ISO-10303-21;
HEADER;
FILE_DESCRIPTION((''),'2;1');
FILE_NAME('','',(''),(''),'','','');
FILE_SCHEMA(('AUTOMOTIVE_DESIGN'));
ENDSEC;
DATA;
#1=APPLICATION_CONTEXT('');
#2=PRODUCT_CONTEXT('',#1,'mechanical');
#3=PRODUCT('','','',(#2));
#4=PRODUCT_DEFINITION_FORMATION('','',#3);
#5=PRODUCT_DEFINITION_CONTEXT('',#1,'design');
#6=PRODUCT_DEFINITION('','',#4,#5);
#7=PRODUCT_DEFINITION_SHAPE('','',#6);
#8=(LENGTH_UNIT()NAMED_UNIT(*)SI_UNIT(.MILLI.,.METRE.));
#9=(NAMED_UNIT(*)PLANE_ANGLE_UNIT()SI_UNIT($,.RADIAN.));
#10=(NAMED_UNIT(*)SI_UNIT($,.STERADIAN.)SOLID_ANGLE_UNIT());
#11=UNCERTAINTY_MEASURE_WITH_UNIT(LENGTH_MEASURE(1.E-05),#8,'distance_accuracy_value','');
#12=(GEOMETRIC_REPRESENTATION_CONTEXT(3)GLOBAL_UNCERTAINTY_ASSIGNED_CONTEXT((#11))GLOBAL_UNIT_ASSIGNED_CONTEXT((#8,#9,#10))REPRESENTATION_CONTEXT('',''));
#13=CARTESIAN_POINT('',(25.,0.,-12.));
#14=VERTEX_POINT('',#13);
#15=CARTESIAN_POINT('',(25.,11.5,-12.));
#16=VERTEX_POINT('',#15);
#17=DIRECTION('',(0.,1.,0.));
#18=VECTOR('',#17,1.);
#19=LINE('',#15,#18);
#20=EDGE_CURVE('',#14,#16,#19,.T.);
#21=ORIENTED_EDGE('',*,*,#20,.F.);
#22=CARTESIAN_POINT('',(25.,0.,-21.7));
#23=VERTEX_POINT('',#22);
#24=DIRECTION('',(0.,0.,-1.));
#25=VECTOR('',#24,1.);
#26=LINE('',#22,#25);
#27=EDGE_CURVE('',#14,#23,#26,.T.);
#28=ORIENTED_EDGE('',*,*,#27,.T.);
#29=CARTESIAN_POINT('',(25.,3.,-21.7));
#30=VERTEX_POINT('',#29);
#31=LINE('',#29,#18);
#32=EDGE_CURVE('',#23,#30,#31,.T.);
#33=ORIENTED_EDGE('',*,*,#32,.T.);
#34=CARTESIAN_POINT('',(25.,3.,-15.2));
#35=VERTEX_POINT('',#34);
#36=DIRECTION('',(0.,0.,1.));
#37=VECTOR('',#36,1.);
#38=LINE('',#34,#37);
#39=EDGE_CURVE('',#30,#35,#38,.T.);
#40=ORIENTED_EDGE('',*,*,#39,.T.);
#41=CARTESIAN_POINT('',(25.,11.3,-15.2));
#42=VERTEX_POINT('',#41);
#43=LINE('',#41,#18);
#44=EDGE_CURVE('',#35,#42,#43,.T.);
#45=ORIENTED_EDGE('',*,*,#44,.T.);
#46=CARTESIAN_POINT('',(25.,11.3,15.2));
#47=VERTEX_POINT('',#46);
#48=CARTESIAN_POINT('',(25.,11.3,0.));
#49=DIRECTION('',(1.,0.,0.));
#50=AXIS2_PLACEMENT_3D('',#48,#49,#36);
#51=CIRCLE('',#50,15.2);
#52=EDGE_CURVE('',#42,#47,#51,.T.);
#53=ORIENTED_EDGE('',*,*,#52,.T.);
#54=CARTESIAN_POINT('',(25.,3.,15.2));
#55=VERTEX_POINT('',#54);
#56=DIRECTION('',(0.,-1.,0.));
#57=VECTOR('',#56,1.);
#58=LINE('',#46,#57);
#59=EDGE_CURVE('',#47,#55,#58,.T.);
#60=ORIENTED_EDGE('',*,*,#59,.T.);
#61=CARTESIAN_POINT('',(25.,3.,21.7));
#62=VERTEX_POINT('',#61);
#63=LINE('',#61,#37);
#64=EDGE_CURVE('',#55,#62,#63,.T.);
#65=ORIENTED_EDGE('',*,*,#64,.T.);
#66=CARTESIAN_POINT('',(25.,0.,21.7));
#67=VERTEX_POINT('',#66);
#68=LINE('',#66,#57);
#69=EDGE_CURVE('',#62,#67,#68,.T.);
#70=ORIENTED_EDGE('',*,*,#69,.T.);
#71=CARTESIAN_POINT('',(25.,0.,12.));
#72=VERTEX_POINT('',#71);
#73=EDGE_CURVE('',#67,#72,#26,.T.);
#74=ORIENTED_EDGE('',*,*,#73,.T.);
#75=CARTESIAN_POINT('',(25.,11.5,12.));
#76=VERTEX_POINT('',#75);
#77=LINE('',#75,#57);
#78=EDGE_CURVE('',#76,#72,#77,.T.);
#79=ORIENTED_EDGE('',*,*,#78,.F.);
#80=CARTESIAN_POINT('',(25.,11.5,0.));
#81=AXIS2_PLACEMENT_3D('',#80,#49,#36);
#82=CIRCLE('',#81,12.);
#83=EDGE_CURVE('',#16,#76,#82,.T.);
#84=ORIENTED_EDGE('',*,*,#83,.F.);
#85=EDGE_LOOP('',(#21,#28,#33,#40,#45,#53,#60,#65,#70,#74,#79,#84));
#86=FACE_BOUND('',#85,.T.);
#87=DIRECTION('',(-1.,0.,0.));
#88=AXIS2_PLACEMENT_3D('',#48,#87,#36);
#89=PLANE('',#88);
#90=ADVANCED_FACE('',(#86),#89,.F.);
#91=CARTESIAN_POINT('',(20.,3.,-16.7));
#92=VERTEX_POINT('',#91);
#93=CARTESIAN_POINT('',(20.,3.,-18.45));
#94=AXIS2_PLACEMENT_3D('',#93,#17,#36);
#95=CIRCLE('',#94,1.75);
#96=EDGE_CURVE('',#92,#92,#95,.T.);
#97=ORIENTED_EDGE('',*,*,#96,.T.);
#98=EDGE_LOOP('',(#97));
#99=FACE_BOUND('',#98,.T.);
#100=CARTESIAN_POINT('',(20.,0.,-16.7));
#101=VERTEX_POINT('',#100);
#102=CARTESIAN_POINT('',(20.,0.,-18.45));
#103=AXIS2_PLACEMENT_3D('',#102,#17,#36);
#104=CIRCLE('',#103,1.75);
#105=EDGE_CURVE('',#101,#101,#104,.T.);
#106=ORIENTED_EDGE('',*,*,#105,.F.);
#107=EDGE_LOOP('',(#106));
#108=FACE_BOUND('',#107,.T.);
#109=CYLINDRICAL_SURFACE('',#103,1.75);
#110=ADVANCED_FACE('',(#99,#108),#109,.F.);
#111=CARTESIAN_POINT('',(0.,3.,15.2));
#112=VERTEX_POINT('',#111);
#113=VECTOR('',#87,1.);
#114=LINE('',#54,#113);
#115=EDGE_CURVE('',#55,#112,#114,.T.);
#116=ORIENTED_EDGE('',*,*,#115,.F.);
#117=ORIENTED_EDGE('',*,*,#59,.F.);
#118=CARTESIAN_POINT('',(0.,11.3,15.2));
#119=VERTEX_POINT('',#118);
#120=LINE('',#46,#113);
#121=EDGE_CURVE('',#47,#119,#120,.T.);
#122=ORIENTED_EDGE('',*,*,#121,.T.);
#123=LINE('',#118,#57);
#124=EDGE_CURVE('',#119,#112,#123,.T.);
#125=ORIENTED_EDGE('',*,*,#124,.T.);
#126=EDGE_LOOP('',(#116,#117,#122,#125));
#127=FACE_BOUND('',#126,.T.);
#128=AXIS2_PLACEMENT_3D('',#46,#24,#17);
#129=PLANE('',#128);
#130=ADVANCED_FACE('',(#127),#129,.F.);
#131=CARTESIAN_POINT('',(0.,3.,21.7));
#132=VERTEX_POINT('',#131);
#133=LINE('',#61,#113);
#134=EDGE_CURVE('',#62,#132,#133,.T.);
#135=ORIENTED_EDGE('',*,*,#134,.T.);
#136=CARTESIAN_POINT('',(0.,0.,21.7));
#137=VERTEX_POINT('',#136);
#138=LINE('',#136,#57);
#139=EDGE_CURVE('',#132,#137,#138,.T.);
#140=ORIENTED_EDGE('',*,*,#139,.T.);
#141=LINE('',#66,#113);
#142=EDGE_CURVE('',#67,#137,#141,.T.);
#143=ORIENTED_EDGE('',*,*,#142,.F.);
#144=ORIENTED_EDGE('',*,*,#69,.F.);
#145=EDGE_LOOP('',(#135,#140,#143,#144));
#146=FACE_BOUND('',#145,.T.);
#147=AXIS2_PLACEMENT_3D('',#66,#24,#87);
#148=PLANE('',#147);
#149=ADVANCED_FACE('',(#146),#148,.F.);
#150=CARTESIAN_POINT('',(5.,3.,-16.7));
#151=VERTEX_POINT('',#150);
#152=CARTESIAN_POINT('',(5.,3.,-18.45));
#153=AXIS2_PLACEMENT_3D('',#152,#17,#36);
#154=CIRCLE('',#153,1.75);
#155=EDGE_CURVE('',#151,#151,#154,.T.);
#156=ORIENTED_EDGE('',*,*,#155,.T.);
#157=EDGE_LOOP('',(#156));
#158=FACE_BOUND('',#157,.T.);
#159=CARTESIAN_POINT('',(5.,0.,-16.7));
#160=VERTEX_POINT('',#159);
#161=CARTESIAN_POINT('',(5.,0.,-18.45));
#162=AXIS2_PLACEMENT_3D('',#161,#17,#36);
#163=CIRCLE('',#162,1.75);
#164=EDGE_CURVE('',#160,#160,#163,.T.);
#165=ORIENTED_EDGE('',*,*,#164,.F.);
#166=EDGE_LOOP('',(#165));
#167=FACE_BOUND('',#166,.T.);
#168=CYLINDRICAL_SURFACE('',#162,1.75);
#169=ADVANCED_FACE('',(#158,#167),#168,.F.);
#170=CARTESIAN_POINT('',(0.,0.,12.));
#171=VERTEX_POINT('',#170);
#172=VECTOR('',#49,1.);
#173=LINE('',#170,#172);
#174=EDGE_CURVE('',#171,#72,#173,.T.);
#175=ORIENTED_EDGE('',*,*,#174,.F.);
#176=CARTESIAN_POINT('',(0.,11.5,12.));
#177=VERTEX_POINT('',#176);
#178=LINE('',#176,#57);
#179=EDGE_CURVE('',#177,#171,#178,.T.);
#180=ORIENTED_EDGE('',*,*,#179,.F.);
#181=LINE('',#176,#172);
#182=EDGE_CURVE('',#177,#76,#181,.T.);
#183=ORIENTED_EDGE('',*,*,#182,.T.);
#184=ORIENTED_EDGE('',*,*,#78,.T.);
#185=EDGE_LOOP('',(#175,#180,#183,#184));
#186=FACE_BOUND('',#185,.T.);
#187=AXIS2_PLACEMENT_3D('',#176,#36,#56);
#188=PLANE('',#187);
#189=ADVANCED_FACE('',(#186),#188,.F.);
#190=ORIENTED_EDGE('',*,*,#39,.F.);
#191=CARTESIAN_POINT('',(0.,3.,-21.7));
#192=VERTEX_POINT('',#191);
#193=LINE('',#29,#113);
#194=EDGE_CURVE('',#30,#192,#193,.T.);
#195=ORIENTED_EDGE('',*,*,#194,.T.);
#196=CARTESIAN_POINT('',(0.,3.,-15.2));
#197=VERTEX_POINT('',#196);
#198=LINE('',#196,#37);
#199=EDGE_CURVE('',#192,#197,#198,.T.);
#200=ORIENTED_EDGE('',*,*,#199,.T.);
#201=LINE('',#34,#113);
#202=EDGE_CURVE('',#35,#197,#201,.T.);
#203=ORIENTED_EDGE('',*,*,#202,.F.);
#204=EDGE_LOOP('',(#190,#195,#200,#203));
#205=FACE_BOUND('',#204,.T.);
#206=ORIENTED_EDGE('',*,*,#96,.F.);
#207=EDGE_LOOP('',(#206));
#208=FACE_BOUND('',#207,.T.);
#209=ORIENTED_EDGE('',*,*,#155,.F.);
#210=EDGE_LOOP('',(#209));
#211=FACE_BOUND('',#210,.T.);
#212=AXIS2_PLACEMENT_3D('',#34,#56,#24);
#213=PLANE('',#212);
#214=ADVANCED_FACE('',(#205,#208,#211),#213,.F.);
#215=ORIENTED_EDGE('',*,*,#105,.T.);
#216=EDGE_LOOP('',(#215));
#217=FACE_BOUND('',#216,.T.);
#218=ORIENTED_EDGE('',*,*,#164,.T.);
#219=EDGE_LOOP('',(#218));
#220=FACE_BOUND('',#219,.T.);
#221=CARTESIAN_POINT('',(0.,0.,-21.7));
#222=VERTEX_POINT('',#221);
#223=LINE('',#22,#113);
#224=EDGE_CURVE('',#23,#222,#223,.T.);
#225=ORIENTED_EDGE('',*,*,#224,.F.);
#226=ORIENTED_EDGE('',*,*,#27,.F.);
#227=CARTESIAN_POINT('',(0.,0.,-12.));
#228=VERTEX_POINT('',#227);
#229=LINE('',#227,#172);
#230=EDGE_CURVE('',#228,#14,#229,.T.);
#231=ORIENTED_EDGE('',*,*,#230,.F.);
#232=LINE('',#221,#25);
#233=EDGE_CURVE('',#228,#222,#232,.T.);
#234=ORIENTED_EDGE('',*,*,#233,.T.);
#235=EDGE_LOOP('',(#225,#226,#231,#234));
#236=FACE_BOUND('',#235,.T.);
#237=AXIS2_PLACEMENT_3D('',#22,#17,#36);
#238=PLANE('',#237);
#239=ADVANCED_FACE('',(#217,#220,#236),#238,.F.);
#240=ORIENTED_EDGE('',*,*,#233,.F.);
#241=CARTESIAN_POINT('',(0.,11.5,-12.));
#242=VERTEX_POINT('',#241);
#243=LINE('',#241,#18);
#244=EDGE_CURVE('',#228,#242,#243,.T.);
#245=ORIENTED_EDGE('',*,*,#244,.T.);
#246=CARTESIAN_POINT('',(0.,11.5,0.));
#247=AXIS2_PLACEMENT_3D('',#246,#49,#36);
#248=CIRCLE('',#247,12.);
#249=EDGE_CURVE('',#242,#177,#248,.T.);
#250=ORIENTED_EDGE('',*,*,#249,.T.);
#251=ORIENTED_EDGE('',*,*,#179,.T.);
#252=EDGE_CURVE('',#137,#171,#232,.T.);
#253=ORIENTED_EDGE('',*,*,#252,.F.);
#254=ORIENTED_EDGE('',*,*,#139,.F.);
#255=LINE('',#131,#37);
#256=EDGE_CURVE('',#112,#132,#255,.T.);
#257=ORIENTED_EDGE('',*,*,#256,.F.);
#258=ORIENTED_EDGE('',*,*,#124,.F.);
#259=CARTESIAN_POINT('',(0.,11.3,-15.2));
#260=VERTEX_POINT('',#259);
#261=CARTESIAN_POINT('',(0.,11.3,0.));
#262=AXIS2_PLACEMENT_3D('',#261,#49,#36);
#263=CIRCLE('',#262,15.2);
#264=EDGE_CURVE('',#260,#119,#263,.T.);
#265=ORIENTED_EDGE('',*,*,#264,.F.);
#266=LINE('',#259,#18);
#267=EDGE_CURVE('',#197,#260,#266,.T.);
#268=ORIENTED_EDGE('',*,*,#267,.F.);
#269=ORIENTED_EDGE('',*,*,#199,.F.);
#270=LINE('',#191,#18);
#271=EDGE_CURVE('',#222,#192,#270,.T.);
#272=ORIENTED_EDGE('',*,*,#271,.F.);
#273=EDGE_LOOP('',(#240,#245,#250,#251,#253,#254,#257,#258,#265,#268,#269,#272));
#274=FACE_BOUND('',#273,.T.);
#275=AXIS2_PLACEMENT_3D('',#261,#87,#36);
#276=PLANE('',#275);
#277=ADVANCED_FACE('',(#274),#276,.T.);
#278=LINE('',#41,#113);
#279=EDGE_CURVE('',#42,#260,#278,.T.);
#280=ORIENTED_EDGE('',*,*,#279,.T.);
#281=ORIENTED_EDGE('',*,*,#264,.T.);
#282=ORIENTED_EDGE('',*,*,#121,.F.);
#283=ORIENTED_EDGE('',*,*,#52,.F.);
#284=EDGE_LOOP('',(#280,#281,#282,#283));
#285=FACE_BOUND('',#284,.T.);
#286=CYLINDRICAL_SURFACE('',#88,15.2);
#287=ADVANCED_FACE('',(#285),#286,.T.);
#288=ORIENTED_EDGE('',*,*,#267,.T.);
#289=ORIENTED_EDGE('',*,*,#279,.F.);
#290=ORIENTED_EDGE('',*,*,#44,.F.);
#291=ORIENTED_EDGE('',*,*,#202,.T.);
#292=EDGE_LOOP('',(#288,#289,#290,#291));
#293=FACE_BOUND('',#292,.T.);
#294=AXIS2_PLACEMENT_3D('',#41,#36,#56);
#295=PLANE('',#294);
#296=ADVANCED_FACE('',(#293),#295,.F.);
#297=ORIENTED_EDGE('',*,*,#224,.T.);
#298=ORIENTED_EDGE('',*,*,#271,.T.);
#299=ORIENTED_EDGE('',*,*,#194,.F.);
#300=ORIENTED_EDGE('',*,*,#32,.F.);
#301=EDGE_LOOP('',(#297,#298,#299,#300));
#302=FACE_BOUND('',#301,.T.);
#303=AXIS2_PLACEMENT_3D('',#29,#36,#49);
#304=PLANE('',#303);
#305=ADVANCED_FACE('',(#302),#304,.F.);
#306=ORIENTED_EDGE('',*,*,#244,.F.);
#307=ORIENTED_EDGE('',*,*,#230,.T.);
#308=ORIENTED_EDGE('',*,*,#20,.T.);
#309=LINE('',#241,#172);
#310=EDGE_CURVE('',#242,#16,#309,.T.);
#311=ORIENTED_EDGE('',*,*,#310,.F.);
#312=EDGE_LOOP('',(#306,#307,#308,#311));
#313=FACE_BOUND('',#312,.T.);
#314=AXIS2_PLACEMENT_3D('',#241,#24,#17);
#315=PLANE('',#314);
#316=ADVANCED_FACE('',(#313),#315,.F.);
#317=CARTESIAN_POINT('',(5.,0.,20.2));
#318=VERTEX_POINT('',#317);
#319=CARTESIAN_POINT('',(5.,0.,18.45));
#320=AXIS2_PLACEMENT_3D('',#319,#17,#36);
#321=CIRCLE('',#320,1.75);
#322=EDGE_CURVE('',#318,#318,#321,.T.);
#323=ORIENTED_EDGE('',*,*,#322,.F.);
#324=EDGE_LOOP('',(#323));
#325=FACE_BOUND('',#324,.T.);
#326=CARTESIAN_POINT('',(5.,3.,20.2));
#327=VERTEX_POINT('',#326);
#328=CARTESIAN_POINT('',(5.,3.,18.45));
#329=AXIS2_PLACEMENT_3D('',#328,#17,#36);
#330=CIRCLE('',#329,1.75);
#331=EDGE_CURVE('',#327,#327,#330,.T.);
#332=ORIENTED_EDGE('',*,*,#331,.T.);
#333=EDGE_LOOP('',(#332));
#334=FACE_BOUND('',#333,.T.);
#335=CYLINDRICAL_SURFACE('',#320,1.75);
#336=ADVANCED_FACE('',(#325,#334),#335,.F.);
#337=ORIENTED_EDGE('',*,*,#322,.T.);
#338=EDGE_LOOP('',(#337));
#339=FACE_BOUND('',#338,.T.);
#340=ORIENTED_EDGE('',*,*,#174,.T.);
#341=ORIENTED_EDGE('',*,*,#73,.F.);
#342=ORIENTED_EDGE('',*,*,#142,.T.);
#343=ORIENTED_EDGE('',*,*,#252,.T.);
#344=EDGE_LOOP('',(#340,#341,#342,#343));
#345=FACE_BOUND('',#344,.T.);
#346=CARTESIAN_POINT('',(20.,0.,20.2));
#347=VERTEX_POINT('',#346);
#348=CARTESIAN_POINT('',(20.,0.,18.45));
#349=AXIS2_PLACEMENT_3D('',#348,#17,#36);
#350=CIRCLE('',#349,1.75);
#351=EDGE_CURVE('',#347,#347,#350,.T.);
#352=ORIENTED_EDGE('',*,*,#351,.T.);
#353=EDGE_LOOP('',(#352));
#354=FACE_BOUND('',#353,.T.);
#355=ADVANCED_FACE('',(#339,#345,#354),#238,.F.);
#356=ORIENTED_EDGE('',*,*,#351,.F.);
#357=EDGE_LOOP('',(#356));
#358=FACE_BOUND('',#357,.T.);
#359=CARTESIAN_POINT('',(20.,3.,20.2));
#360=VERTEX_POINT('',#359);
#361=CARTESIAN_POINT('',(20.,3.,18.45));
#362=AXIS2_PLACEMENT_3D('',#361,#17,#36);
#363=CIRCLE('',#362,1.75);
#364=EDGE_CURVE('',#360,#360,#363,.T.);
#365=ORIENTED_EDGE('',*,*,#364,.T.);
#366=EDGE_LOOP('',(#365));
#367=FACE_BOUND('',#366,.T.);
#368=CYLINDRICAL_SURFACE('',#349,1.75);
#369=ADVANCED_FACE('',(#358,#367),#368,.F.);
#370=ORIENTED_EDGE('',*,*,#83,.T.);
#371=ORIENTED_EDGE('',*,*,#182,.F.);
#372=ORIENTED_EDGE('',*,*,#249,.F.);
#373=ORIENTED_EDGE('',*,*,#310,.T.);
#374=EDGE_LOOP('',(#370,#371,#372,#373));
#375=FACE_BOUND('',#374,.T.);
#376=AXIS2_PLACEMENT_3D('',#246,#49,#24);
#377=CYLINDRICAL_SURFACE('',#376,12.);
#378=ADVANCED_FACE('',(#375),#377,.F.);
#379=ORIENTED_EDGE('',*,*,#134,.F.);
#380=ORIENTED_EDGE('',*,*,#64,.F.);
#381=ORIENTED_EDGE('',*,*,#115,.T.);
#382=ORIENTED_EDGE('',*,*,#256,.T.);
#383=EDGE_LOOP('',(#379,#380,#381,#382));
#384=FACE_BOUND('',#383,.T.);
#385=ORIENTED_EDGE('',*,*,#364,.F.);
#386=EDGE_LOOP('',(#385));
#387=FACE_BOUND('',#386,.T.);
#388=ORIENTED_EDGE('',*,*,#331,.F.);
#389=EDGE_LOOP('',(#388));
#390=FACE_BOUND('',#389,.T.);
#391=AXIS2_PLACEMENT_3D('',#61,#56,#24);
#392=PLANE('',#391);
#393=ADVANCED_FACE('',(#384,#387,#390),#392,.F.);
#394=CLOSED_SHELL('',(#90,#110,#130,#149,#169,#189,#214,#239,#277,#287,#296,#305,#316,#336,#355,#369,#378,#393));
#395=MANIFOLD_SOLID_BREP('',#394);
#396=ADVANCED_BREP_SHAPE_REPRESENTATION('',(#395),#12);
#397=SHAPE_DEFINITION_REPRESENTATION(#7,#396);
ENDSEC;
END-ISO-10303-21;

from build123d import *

# Parameters (mm, degrees)
BOSS_EXTRUDE1_DEPTH = 25
CUT_EXTRUDE1_DEPTH  = 43.404480895
SKETCH3_R           = 1.75
CUT_EXTRUDE2_DEPTH  = 41.59729055


with BuildPart() as part:
    # Sketch1 → Boss-Extrude1 (new body)
    with BuildSketch(Plane(origin=(0, 0, 0), x_dir=(0, 0, -1), z_dir=(1, 0, 0))):
        with BuildLine():
            Line((-21.7, 0), (-21.7, 3))
            Line((-21.7, 3), (-15.2, 3))
            Line((-15.2, 3), (-15.2, 11.3))
            ThreePointArc((-15.2, 11.3), (0, 26.5), (15.2, 11.3))
            Line((15.2, 11.3), (15.2, 3))
            Line((15.2, 3), (21.7, 3))
            Line((21.7, 3), (21.7, 0))
            Line((21.7, 0), (-21.7, 0))
        make_face()
    extrude(amount=BOSS_EXTRUDE1_DEPTH)

    # Sketch2 → Cut-Extrude1 (cut, through all)
    with BuildSketch(Plane(origin=(25, 0, 0), x_dir=(0, 0, -1), z_dir=(1, 0, 0))):
        with BuildLine():
            Line((-12, 11.5), (-12, 0))
            Line((-12, 0), (12, 0))
            Line((12, 0), (12, 11.5))
            ThreePointArc((12, 11.5), (0, 23.5), (-12, 11.5))
        make_face()
    extrude(amount=-CUT_EXTRUDE1_DEPTH, mode=Mode.SUBTRACT)

    # Sketch3 → Cut-Extrude2 (cut, through all)
    with BuildSketch(Plane(origin=(0, 3, 0), x_dir=(1, 0, 0), z_dir=(0, 1, 0))):
        with Locations(Location((5, -18.45, 0), (0, 0, 270))):
            Circle(SKETCH3_R)
        with Locations(Location((20, -18.45, 0), (0, 0, 270))):
            Circle(SKETCH3_R)
        with Locations(Location((5, 18.45, 0), (0, 0, 270))):
            Circle(SKETCH3_R)
        with Locations(Location((20, 18.45, 0), (0, 0, 270))):
            Circle(SKETCH3_R)
    extrude(amount=-CUT_EXTRUDE2_DEPTH, mode=Mode.SUBTRACT)


solid = part.part
